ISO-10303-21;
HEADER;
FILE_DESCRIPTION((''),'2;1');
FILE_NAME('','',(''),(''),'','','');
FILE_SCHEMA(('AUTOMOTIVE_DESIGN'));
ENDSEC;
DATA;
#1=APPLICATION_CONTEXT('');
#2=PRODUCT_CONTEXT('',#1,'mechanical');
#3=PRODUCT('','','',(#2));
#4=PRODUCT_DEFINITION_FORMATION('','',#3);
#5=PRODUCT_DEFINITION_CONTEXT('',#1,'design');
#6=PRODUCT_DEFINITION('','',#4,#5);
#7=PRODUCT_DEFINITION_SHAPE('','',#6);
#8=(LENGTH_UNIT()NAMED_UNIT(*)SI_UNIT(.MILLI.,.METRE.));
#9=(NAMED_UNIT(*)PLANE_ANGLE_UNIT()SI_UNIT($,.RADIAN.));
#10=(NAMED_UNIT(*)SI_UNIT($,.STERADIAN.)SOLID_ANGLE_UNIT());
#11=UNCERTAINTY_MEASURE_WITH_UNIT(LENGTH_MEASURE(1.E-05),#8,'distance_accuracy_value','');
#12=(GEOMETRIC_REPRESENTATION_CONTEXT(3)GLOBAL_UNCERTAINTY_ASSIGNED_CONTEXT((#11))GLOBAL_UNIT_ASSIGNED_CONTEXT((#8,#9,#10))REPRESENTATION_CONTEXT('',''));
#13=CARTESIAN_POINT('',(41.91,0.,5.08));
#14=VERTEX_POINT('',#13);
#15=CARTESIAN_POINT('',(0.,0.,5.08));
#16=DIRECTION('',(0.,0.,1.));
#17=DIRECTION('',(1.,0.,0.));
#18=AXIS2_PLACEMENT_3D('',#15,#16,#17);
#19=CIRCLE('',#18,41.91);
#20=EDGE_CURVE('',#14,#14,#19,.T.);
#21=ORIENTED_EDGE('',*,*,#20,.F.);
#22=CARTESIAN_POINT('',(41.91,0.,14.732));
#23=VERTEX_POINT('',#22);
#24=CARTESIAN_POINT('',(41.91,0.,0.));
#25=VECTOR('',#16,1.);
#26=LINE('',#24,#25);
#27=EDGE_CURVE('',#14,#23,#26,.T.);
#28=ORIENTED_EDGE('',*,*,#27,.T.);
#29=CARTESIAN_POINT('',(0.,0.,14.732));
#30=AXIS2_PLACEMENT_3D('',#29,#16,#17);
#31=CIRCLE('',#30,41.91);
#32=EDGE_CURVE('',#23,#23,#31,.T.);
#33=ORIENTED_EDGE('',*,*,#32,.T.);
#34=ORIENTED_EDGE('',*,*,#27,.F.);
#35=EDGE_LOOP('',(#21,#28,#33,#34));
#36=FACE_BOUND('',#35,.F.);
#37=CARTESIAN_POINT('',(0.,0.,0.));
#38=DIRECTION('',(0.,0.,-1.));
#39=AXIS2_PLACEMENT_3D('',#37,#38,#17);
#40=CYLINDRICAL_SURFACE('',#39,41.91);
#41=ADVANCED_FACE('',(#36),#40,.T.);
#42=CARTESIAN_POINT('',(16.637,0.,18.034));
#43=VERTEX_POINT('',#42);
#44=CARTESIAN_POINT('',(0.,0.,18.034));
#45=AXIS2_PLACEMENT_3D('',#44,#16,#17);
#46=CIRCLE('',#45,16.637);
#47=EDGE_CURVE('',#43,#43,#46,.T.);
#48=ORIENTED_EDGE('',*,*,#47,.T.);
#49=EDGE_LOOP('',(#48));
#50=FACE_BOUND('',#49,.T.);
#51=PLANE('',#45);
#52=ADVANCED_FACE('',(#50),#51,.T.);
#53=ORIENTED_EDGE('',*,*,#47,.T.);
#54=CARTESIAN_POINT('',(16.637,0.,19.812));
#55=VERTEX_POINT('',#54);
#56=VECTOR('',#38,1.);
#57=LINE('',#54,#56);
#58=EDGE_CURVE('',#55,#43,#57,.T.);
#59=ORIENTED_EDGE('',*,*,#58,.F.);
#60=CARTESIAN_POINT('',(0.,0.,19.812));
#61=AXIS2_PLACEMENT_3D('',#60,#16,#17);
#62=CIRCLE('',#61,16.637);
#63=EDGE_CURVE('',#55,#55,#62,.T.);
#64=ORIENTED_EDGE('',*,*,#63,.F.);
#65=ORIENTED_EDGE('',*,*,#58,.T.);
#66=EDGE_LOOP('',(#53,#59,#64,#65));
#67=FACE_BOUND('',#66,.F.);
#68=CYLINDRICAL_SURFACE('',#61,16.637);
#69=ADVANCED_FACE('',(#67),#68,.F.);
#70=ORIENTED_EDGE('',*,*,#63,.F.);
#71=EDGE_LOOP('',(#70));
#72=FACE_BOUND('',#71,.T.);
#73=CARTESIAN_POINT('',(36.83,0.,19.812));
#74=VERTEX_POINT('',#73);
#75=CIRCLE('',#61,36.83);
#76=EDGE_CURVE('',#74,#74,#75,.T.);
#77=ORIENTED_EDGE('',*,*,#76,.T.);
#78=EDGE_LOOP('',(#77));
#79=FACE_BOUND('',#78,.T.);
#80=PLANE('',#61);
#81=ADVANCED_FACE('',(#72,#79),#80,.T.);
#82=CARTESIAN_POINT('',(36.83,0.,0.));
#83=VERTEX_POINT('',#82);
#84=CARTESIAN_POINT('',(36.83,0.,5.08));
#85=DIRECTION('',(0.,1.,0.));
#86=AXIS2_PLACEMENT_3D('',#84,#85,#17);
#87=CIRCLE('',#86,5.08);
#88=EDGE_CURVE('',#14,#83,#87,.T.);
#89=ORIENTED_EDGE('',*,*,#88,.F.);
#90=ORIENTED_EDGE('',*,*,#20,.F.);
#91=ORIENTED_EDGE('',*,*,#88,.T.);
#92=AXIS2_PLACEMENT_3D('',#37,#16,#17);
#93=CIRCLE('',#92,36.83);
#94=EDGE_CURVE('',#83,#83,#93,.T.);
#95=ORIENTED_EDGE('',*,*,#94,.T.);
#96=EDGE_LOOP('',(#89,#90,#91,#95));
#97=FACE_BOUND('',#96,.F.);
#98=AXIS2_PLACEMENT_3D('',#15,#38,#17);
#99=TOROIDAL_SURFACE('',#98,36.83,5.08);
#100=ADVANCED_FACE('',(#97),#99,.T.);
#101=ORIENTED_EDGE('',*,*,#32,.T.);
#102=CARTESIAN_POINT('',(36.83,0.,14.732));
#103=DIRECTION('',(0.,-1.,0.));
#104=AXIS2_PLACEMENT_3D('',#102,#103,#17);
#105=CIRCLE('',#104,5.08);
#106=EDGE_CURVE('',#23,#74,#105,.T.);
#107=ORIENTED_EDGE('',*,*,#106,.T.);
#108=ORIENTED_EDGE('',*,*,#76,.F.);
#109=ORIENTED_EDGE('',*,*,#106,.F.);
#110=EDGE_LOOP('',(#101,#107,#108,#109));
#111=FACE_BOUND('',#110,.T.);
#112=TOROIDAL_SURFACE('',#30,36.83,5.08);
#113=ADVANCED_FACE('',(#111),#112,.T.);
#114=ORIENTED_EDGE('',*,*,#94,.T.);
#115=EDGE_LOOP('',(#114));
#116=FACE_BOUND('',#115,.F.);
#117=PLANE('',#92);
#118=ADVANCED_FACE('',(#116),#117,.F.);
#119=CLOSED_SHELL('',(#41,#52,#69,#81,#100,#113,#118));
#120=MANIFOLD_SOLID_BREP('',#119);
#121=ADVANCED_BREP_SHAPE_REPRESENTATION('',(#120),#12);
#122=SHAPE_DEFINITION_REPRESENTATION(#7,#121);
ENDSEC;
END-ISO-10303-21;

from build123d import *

# Parameters (mm, degrees)
F0_R     = 41.91
F1_DEPTH = 19.812
F2_R     = 16.637
F3_DEPTH = 1.778
F4_R     = 5.08


with BuildPart() as f1:
    # F0 (on Top) → F1 (new body)
    with BuildSketch(Plane.XY):
        Circle(F0_R)
    extrude(amount=F1_DEPTH)

    # F2 (on face) → F3 (cut)
    with BuildSketch(Plane.XY.offset(19.812)):
        Circle(F2_R)
    extrude(amount=-F3_DEPTH, mode=Mode.SUBTRACT)

    # F4
    f4_edges = [f1.edges().sort_by_distance(p)[0] for p in [
        (-41.91, 0, 0),
        (-41.91, 0, 19.812),
    ]]
    fillet(f4_edges, radius=F4_R)


solid = f1.part
